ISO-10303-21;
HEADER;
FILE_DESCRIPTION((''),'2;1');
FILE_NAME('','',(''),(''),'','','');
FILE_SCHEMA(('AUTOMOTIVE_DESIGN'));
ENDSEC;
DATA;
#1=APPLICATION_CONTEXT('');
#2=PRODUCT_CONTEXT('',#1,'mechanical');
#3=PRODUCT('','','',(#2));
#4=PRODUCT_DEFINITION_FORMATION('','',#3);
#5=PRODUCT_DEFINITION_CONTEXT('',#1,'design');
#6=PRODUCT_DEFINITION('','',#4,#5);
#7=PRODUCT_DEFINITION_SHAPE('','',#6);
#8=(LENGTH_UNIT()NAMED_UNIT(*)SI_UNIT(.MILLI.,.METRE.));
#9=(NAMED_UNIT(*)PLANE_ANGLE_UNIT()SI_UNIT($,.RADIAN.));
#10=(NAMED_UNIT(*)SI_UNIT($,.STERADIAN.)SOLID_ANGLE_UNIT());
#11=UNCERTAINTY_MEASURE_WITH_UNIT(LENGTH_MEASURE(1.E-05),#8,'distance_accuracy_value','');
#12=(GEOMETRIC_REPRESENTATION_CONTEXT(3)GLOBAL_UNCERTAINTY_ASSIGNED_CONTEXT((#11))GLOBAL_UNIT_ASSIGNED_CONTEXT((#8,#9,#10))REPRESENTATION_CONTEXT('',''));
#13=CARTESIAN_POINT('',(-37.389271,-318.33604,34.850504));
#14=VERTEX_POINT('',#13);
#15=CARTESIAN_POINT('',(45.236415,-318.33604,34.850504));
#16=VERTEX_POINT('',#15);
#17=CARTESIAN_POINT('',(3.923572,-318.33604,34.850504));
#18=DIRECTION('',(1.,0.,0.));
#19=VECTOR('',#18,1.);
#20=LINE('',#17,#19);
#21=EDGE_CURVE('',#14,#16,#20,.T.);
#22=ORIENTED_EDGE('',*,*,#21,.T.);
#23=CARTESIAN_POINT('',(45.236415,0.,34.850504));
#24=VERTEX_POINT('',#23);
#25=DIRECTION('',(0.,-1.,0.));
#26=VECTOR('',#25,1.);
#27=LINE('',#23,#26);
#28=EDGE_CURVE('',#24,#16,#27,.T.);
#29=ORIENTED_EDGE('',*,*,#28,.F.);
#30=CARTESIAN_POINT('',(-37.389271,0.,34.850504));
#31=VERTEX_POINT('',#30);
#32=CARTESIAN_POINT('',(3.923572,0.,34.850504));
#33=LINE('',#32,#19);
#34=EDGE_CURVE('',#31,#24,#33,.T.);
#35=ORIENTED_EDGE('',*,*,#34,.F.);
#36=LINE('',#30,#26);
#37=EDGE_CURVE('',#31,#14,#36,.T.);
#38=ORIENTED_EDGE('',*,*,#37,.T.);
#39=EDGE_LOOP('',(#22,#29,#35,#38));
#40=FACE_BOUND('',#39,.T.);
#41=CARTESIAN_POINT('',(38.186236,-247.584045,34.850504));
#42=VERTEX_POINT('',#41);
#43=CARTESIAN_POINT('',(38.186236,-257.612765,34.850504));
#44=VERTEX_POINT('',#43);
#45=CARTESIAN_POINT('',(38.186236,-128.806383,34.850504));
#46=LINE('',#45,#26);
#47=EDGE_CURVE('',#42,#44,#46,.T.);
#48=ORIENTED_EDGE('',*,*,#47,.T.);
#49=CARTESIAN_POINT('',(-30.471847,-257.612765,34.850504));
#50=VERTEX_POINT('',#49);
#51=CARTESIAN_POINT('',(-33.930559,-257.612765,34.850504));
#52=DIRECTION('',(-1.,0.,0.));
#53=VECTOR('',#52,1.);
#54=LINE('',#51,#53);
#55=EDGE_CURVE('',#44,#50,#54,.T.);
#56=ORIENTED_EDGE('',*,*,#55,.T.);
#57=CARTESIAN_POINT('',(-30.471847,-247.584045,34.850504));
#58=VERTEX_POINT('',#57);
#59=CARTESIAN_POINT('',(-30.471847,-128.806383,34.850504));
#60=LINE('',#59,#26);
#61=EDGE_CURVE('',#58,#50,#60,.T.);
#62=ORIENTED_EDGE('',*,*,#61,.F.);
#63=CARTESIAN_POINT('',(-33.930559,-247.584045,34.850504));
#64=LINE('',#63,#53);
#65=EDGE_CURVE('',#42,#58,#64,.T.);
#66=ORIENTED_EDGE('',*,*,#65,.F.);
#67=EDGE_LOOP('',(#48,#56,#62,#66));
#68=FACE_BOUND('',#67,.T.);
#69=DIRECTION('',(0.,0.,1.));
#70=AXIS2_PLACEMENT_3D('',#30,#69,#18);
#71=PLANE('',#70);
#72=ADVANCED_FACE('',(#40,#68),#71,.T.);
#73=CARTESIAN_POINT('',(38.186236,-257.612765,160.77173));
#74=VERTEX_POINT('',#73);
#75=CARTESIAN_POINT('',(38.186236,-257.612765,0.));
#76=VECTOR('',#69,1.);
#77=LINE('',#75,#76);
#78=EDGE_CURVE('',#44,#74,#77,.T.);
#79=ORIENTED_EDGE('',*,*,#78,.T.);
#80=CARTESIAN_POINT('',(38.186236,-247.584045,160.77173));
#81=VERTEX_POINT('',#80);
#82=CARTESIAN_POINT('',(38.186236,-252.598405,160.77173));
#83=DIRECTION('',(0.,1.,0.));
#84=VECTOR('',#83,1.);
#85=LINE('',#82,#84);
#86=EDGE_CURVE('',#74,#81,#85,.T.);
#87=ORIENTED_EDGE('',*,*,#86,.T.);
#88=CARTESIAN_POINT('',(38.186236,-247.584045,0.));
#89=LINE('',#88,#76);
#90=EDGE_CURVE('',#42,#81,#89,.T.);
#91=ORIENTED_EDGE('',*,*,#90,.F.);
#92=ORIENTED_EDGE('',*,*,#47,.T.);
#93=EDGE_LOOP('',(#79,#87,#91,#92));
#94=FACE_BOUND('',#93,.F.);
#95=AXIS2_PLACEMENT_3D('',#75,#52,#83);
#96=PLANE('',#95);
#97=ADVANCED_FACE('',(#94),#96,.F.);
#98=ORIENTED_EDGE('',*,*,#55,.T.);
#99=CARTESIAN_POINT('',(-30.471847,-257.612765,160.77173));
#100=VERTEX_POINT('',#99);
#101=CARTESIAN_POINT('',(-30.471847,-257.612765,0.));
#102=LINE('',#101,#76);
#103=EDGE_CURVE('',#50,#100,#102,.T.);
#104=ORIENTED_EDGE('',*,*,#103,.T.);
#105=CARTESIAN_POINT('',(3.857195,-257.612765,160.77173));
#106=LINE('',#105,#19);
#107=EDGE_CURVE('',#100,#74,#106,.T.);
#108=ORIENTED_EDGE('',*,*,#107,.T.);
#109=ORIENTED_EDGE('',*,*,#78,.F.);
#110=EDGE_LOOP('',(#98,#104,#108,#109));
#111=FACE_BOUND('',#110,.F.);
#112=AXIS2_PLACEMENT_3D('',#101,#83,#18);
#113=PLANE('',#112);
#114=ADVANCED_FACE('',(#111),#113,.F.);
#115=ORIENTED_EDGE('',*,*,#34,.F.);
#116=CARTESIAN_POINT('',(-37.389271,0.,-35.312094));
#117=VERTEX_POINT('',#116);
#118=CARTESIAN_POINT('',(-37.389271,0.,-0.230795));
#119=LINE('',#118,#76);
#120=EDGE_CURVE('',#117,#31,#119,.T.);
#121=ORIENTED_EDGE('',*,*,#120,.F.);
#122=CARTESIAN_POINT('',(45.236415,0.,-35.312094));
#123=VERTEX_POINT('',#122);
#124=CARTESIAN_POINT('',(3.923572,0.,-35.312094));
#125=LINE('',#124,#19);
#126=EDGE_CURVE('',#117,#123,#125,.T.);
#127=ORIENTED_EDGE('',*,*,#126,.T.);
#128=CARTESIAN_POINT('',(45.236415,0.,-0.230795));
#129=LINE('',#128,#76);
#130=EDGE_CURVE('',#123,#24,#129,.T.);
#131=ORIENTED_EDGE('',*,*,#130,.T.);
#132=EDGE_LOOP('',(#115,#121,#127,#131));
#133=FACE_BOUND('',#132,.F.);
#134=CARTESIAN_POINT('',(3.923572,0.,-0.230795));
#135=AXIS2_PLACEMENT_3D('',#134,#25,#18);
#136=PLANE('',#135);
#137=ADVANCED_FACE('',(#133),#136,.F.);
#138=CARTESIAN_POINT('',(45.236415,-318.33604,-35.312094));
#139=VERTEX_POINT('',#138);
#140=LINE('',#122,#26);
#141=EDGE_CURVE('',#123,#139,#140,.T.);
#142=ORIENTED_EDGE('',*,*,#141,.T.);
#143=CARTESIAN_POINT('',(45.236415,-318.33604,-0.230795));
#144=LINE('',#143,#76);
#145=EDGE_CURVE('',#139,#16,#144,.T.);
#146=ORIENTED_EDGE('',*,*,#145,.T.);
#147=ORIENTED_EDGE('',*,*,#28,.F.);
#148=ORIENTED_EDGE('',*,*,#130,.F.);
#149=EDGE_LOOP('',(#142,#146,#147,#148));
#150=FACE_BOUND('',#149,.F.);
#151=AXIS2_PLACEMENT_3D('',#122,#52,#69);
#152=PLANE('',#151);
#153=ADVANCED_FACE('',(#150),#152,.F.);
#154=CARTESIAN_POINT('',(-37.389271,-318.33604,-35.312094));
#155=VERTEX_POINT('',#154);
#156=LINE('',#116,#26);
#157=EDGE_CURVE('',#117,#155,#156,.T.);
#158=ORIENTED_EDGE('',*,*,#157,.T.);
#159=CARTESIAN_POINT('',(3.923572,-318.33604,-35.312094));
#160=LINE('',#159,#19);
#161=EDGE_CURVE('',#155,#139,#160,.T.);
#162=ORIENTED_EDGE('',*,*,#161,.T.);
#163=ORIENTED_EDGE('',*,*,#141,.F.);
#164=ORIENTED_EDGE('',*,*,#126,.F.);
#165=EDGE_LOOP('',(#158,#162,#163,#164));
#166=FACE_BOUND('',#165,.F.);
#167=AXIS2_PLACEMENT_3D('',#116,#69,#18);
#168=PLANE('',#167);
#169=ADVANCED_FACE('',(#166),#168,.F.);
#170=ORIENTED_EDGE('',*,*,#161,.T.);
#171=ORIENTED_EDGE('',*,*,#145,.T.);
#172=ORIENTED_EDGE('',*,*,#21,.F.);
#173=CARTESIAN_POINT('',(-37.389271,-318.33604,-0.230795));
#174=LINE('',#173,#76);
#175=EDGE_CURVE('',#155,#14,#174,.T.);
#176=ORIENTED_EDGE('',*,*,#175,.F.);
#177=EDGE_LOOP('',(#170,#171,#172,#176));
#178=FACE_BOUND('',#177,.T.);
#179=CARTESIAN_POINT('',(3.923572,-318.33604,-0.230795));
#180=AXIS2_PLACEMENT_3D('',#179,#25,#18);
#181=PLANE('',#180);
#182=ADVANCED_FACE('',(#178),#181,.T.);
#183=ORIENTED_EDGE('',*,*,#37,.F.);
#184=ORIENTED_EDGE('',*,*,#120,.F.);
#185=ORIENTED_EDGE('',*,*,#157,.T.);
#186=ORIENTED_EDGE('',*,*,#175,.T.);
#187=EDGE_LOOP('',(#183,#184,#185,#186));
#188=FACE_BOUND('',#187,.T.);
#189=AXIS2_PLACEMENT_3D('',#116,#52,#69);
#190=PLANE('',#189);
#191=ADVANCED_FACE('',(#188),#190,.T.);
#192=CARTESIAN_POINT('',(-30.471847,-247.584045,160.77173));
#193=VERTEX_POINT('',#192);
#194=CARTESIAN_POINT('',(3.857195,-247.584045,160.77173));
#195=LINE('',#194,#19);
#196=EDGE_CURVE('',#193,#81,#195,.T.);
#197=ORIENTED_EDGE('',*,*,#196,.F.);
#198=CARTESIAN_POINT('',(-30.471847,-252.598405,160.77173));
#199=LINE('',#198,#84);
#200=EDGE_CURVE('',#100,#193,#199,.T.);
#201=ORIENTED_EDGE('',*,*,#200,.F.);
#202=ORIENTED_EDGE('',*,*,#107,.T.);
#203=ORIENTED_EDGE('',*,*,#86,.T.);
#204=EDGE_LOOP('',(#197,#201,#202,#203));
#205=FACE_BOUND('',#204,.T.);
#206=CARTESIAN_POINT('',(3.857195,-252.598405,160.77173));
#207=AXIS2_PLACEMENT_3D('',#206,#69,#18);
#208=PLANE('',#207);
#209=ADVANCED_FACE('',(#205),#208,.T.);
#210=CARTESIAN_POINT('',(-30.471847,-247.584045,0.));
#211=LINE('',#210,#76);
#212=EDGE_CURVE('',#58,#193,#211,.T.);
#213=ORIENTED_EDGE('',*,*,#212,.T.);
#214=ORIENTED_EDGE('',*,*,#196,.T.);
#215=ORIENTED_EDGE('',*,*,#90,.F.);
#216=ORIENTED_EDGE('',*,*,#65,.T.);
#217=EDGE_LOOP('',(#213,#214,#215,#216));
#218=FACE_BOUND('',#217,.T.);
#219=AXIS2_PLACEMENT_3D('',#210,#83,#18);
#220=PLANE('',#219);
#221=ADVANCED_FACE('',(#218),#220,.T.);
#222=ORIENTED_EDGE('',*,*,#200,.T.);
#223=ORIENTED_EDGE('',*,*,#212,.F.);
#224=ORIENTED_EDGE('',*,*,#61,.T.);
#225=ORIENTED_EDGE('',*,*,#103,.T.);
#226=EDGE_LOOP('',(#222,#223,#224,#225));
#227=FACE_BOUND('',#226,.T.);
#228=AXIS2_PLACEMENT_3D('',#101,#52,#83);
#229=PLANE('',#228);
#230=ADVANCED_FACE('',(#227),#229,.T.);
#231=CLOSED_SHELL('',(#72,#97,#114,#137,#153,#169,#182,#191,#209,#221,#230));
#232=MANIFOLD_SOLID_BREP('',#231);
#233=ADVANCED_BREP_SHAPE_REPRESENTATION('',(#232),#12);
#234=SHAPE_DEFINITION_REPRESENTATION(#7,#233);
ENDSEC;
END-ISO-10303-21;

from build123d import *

# Parameters (mm, degrees)
F0_W     = 82.625687
F0_H     = 70.162598
F1_DEPTH = 318.33604
F2_W     = 68.658083
F2_H     = 10.02872
F3_DEPTH = 160.77173


with BuildPart() as f1:
    # F0 (on Front) → F1 (new body)
    with BuildSketch(Plane.XZ):
        with Locations((3.923572, -0.230795)):
            Rectangle(F0_W, F0_H)
    extrude(amount=F1_DEPTH)

    # F2 (on Top) → F3 (join)
    with BuildSketch(Plane.XY):
        with Locations((3.857195, -252.598405)):
            Rectangle(F2_W, F2_H)
    extrude(amount=F3_DEPTH)


solid = f1.part
